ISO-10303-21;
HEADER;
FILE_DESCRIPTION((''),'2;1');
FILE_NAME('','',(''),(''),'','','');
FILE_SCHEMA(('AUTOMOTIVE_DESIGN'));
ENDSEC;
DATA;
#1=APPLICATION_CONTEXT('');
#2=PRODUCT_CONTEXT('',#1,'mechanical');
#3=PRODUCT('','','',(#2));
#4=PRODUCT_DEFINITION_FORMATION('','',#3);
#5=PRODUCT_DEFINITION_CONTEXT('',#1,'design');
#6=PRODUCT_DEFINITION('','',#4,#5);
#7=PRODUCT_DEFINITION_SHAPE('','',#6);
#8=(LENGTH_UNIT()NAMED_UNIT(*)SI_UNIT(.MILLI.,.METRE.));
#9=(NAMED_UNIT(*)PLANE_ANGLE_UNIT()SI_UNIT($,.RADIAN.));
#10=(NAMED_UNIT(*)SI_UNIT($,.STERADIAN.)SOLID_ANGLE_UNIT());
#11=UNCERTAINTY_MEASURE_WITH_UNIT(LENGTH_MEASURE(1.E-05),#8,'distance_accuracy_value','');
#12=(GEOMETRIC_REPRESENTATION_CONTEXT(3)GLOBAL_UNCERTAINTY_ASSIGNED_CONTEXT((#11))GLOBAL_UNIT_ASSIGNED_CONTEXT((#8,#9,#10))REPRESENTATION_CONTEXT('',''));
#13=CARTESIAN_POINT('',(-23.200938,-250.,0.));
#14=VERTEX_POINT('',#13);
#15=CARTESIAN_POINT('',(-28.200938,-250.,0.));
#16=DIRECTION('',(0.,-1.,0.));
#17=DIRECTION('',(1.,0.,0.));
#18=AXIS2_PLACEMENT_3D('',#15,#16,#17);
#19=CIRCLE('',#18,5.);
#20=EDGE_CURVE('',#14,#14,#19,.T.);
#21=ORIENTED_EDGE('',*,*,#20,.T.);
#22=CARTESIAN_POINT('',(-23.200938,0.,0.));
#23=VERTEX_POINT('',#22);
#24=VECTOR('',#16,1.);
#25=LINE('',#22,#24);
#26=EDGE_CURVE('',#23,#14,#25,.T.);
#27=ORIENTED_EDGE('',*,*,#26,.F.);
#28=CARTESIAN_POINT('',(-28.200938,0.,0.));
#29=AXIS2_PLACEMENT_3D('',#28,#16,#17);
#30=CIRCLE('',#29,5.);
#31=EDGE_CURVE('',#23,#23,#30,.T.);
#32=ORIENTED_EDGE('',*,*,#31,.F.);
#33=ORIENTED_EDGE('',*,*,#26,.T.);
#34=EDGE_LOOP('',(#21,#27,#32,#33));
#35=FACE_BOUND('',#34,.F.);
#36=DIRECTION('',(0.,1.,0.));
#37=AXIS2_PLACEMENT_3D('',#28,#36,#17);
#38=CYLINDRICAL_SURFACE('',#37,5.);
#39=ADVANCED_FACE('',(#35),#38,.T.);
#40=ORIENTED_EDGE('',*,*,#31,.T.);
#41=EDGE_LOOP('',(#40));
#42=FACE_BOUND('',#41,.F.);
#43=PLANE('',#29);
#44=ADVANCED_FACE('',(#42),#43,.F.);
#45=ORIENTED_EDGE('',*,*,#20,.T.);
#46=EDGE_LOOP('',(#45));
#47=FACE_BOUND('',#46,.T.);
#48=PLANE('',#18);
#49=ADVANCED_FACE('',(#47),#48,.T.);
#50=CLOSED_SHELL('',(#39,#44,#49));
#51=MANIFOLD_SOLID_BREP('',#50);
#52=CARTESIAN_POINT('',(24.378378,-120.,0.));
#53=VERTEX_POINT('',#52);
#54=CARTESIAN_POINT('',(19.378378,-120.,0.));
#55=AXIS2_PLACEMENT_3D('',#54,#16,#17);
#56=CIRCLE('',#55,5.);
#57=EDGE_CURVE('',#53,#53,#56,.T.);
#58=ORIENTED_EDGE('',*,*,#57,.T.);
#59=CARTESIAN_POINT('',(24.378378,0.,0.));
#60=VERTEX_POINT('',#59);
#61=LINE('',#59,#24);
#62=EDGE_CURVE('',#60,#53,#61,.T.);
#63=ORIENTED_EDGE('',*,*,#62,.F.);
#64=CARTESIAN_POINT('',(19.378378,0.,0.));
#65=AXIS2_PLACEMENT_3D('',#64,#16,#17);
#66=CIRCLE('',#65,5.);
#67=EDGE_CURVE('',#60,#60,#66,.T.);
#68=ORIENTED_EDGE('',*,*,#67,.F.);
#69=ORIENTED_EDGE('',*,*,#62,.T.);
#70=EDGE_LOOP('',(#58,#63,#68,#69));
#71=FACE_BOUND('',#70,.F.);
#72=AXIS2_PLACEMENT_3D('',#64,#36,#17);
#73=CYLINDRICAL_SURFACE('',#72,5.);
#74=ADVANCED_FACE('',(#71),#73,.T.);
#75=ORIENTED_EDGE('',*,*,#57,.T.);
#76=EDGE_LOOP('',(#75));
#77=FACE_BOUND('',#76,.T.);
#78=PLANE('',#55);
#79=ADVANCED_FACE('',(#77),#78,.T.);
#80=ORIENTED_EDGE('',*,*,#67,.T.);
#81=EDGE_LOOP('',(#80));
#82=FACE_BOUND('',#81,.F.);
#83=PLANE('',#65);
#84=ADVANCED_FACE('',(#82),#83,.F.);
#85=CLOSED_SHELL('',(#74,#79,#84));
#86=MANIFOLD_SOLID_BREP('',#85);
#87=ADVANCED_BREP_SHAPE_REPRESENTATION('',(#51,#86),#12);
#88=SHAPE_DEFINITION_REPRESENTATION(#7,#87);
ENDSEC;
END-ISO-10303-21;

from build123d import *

# Parameters (mm, degrees)
F0_R     = 5
F1_DEPTH = 250
F2_R     = 5
F3_DEPTH = 120


with BuildPart() as f1:
    # F0 (on Front) → F1 (new body)
    with BuildSketch(Plane.XZ):
        with Locations((-28.200938, 0)):
            Circle(F0_R)
    extrude(amount=F1_DEPTH)


with BuildPart() as f3:
    # F2 (on Front) → F3 (new body)
    with BuildSketch(Plane.XZ):
        with Locations((19.378378, 0)):
            Circle(F2_R)
    extrude(amount=F3_DEPTH)


solid = Compound([f1.part, f3.part])
